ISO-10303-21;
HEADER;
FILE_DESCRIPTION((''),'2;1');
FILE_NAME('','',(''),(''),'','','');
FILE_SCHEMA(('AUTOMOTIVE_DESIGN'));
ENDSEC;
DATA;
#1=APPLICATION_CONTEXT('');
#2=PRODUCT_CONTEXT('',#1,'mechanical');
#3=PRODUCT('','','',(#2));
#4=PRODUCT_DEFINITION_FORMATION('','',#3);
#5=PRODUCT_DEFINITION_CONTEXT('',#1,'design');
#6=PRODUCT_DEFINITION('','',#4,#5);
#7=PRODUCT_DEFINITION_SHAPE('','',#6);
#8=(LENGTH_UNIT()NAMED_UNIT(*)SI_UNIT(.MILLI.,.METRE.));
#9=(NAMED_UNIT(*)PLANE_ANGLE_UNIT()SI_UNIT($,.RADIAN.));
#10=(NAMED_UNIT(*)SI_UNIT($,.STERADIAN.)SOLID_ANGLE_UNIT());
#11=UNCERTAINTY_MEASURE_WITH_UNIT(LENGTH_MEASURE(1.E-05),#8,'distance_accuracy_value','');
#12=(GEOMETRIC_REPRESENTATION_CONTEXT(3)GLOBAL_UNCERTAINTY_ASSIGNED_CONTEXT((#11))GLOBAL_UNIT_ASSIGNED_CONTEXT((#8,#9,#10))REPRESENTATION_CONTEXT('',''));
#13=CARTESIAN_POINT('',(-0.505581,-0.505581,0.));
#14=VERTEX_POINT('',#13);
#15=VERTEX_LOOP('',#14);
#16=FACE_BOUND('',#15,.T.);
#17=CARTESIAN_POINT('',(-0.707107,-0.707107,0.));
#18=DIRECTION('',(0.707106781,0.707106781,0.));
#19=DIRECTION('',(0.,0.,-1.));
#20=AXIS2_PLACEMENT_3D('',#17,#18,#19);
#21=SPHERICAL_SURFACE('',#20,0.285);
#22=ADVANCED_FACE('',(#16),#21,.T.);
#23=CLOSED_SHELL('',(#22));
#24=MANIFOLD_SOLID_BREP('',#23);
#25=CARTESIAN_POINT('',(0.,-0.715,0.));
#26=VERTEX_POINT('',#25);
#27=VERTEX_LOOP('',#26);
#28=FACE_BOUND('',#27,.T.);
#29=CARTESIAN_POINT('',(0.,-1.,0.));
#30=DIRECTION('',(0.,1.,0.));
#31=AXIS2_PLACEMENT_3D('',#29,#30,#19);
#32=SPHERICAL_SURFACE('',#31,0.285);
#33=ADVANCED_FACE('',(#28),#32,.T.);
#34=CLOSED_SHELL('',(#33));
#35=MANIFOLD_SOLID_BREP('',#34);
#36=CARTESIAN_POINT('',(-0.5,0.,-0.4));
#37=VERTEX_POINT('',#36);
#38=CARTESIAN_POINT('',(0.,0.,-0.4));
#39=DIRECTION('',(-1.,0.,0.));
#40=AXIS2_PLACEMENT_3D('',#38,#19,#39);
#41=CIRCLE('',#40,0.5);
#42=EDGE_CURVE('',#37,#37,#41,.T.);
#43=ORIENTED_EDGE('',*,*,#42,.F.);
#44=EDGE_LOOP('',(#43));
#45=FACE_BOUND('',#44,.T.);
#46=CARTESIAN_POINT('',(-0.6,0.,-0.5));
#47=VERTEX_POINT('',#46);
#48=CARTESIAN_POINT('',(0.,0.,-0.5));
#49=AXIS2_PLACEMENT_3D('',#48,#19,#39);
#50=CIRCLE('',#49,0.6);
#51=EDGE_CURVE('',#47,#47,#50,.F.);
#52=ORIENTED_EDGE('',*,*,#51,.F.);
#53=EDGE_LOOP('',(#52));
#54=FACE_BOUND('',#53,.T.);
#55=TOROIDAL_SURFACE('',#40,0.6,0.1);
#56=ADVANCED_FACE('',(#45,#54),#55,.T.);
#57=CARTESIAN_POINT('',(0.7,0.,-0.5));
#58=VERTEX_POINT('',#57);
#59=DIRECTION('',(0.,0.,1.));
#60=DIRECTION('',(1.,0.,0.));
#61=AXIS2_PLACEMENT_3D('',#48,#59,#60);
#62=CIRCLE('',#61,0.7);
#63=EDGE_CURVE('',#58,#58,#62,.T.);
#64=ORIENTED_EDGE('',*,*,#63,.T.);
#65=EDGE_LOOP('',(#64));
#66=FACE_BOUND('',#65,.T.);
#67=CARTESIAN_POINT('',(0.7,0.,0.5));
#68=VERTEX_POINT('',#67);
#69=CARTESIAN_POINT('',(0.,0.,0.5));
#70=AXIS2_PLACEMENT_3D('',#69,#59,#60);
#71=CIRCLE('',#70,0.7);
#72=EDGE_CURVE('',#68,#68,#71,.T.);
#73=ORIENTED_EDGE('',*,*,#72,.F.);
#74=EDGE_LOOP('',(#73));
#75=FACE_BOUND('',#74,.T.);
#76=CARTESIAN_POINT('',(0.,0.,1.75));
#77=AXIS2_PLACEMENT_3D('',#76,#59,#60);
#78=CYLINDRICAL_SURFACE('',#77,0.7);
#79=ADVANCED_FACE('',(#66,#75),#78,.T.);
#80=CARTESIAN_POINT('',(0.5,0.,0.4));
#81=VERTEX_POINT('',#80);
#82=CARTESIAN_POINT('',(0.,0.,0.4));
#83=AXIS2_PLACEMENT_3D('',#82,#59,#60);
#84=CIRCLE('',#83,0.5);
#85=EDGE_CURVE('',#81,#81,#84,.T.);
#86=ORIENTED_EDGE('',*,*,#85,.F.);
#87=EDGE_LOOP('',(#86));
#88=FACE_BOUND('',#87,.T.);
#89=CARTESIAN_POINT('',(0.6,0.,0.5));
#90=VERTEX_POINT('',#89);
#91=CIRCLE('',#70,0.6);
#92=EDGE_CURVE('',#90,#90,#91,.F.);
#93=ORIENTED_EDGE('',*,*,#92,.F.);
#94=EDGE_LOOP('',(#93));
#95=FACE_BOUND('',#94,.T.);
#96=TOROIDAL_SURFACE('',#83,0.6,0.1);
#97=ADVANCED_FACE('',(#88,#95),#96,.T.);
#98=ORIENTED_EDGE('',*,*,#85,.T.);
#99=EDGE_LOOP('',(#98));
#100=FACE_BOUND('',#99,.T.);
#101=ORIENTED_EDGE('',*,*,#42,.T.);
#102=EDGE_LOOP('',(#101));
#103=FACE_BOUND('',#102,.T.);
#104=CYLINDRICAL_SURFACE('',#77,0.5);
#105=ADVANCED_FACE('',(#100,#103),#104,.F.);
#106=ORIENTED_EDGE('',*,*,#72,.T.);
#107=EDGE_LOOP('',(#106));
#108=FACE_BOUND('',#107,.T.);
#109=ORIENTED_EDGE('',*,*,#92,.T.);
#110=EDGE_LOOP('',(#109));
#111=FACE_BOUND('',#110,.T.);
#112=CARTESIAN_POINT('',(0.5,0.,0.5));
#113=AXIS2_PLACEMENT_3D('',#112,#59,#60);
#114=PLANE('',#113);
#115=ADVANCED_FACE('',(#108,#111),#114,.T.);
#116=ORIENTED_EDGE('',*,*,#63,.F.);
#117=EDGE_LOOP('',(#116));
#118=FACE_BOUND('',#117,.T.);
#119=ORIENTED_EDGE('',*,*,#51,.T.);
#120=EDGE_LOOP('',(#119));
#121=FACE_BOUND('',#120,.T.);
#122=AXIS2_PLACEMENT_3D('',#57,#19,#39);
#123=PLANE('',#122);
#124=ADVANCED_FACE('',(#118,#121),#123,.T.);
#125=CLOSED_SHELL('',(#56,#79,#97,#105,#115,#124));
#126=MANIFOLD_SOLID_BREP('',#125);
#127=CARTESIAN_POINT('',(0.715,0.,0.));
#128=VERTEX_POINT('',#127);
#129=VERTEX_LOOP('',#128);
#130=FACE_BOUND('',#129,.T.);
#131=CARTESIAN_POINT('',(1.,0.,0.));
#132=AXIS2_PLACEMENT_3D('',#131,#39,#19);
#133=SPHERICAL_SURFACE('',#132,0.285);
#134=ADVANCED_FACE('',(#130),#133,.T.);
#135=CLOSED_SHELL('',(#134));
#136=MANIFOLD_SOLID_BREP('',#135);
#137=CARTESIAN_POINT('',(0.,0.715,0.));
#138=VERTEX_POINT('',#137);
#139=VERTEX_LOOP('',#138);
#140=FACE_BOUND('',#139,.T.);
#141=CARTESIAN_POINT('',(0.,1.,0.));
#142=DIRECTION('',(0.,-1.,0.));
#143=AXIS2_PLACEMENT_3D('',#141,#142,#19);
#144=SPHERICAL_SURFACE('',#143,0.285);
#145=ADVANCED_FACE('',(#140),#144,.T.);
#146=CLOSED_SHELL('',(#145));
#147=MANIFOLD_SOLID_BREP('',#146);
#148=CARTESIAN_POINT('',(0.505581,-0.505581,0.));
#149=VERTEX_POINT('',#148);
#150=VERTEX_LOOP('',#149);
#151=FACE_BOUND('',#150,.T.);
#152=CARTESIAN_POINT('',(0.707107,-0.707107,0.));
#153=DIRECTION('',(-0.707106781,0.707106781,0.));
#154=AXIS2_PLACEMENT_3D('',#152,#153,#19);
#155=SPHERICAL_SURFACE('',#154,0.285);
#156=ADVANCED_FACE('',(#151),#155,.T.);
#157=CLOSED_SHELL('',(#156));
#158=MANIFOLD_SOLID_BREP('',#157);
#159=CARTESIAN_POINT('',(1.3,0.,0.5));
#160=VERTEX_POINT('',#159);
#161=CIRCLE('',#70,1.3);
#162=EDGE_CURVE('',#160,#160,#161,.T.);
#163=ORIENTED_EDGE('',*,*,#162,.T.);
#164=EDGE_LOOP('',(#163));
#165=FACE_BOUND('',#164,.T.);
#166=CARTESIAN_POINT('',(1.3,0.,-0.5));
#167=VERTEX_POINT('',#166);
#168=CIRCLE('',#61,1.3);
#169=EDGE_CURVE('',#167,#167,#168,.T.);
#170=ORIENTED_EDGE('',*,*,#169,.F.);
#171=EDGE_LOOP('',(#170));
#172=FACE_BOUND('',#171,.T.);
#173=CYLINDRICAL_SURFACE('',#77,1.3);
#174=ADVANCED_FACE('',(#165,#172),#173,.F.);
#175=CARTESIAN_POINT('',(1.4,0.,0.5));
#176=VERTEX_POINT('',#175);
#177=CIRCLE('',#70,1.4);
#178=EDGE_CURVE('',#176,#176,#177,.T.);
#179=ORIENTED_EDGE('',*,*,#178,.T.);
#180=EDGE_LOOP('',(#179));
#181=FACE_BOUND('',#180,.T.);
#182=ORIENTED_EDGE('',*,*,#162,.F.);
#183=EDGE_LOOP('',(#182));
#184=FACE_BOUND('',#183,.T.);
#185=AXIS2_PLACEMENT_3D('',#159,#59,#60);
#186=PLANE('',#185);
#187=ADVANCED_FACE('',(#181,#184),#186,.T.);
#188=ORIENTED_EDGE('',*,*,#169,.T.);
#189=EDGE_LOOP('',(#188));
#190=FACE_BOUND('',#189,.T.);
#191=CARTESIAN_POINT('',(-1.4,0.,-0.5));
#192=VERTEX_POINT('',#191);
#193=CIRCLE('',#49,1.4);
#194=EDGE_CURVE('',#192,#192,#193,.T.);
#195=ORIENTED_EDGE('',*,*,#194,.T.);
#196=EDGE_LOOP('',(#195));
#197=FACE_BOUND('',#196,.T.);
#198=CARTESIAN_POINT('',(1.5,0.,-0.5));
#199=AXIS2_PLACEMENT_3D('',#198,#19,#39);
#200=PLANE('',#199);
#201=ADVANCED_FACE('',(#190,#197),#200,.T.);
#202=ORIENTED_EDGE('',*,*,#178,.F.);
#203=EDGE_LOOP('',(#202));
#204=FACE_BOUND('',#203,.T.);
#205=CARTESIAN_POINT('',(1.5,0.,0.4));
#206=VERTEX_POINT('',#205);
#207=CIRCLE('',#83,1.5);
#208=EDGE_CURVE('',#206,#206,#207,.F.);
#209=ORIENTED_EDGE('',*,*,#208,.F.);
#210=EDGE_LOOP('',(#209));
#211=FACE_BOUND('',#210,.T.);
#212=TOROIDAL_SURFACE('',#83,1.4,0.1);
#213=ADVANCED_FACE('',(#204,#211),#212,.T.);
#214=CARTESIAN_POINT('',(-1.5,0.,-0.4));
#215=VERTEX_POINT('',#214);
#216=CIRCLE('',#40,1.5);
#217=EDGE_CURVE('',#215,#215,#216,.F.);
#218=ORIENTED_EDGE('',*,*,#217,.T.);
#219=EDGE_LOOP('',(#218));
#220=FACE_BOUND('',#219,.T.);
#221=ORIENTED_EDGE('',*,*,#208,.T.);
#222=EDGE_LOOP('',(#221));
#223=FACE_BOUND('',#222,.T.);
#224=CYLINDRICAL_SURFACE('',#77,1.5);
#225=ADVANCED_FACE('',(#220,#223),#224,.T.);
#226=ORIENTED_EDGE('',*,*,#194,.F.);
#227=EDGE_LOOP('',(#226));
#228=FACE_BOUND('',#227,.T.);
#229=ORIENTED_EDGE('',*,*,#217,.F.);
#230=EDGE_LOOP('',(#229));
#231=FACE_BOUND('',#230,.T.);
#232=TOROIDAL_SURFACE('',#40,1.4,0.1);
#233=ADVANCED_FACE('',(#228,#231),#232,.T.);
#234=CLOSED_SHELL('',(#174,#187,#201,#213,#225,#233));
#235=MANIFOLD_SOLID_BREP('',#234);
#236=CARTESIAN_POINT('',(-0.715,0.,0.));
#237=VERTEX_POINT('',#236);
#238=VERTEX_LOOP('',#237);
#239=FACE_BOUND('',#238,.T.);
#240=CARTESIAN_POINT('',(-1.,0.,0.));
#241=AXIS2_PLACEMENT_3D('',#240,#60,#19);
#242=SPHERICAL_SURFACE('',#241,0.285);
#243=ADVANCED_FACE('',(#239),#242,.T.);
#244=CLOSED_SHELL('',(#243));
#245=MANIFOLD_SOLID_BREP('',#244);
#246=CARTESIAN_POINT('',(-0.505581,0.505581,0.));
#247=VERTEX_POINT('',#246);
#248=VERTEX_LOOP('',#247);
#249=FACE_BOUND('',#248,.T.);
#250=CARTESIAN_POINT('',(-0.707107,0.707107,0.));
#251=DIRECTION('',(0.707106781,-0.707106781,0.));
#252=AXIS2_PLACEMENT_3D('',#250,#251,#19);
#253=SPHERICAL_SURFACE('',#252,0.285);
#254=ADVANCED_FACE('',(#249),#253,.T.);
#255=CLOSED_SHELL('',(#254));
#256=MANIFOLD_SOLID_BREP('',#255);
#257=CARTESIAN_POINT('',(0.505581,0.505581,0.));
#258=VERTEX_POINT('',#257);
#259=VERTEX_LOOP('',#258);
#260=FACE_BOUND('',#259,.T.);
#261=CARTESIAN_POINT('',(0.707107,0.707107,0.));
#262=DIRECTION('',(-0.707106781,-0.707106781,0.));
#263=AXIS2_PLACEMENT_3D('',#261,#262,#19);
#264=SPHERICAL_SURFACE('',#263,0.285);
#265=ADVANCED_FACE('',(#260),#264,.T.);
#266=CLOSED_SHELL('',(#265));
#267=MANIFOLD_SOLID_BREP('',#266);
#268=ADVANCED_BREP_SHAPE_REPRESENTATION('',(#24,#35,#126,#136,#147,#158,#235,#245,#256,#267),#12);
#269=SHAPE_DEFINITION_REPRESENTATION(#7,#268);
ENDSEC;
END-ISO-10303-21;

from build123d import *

# Parameters (mm, degrees)
INNERS_W           = 0.2
INNERS_H           = 1
OUTERS_W           = 0.2
OUTERS_H           = 1
BALLSPATTERN_COUNT = 8
FILLET_F1_R        = 0.1
FILLET_F2_R        = 0.1


with BuildPart() as part:
    # InnerS → InnerRing (revolve)
    with BuildSketch(Plane(origin=(0, 0, 0), x_dir=(1, 0, 0), z_dir=(0, 1, 0))):
        with Locations((0.6, 0)):
            Rectangle(INNERS_W, INNERS_H)
    revolve(axis=Axis((0, 0, 1.75), (0, 0, -1)))

    # Fillet F2
    fillet_f2_edges = [part.edges().sort_by_distance(p)[0] for p in [
        (-0.5, 0, -0.5),
        (-0.5, 0, 0.5),
    ]]
    fillet(fillet_f2_edges, radius=FILLET_F2_R)


with BuildPart() as body_2:
    # OuterS → OuterRing (revolve)
    with BuildSketch(Plane(origin=(0, 0, 0), x_dir=(1, 0, 0), z_dir=(0, 1, 0))):
        with Locations((1.4, 0)):
            Rectangle(OUTERS_W, OUTERS_H)
    revolve(axis=Axis((0, 0, 1.75), (0, 0, -1)))

    # Fillet F1
    fillet_f1_edges = [body_2.edges().sort_by_distance(p)[0] for p in [
        (-1.5, 0, -0.5),
        (-1.5, 0, 0.5),
    ]]
    fillet(fillet_f1_edges, radius=FILLET_F1_R)


with BuildPart() as body_3:
    # BallS → Ball (revolve)
    with BuildSketch(Plane(origin=(0, 0, 0), x_dir=(1, 0, 0), z_dir=(0, 1, 0))):
        with BuildLine():
            Line((0.715, 0), (1.285, 0))
            ThreePointArc((1.285, 0), (1, -0.285), (0.715, 0))
        make_face()
    revolve(axis=Axis((0.715, 0, 0), (1, 0, 0)))


with BuildPart() as ballspattern_1:
    # BallsPattern: pattern copy
    add(body_3.part.rotate(Axis((0, 0, -0.55), (0, 0, 1)), 1 * 360 / BALLSPATTERN_COUNT))


with BuildPart() as ballspattern_2:
    # BallsPattern: pattern copy
    add(body_3.part.rotate(Axis((0, 0, -0.55), (0, 0, 1)), 2 * 360 / BALLSPATTERN_COUNT))


with BuildPart() as ballspattern_3:
    # BallsPattern: pattern copy
    add(body_3.part.rotate(Axis((0, 0, -0.55), (0, 0, 1)), 3 * 360 / BALLSPATTERN_COUNT))


with BuildPart() as ballspattern_4:
    # BallsPattern: pattern copy
    add(body_3.part.rotate(Axis((0, 0, -0.55), (0, 0, 1)), 4 * 360 / BALLSPATTERN_COUNT))


with BuildPart() as ballspattern_5:
    # BallsPattern: pattern copy
    add(body_3.part.rotate(Axis((0, 0, -0.55), (0, 0, 1)), 5 * 360 / BALLSPATTERN_COUNT))


with BuildPart() as ballspattern_6:
    # BallsPattern: pattern copy
    add(body_3.part.rotate(Axis((0, 0, -0.55), (0, 0, 1)), 6 * 360 / BALLSPATTERN_COUNT))


with BuildPart() as ballspattern_7:
    # BallsPattern: pattern copy
    add(body_3.part.rotate(Axis((0, 0, -0.55), (0, 0, 1)), 7 * 360 / BALLSPATTERN_COUNT))


solid = Compound([part.part, body_2.part, body_3.part, ballspattern_1.part, ballspattern_2.part, ballspattern_3.part, ballspattern_4.part, ballspattern_5.part, ballspattern_6.part, ballspattern_7.part])
